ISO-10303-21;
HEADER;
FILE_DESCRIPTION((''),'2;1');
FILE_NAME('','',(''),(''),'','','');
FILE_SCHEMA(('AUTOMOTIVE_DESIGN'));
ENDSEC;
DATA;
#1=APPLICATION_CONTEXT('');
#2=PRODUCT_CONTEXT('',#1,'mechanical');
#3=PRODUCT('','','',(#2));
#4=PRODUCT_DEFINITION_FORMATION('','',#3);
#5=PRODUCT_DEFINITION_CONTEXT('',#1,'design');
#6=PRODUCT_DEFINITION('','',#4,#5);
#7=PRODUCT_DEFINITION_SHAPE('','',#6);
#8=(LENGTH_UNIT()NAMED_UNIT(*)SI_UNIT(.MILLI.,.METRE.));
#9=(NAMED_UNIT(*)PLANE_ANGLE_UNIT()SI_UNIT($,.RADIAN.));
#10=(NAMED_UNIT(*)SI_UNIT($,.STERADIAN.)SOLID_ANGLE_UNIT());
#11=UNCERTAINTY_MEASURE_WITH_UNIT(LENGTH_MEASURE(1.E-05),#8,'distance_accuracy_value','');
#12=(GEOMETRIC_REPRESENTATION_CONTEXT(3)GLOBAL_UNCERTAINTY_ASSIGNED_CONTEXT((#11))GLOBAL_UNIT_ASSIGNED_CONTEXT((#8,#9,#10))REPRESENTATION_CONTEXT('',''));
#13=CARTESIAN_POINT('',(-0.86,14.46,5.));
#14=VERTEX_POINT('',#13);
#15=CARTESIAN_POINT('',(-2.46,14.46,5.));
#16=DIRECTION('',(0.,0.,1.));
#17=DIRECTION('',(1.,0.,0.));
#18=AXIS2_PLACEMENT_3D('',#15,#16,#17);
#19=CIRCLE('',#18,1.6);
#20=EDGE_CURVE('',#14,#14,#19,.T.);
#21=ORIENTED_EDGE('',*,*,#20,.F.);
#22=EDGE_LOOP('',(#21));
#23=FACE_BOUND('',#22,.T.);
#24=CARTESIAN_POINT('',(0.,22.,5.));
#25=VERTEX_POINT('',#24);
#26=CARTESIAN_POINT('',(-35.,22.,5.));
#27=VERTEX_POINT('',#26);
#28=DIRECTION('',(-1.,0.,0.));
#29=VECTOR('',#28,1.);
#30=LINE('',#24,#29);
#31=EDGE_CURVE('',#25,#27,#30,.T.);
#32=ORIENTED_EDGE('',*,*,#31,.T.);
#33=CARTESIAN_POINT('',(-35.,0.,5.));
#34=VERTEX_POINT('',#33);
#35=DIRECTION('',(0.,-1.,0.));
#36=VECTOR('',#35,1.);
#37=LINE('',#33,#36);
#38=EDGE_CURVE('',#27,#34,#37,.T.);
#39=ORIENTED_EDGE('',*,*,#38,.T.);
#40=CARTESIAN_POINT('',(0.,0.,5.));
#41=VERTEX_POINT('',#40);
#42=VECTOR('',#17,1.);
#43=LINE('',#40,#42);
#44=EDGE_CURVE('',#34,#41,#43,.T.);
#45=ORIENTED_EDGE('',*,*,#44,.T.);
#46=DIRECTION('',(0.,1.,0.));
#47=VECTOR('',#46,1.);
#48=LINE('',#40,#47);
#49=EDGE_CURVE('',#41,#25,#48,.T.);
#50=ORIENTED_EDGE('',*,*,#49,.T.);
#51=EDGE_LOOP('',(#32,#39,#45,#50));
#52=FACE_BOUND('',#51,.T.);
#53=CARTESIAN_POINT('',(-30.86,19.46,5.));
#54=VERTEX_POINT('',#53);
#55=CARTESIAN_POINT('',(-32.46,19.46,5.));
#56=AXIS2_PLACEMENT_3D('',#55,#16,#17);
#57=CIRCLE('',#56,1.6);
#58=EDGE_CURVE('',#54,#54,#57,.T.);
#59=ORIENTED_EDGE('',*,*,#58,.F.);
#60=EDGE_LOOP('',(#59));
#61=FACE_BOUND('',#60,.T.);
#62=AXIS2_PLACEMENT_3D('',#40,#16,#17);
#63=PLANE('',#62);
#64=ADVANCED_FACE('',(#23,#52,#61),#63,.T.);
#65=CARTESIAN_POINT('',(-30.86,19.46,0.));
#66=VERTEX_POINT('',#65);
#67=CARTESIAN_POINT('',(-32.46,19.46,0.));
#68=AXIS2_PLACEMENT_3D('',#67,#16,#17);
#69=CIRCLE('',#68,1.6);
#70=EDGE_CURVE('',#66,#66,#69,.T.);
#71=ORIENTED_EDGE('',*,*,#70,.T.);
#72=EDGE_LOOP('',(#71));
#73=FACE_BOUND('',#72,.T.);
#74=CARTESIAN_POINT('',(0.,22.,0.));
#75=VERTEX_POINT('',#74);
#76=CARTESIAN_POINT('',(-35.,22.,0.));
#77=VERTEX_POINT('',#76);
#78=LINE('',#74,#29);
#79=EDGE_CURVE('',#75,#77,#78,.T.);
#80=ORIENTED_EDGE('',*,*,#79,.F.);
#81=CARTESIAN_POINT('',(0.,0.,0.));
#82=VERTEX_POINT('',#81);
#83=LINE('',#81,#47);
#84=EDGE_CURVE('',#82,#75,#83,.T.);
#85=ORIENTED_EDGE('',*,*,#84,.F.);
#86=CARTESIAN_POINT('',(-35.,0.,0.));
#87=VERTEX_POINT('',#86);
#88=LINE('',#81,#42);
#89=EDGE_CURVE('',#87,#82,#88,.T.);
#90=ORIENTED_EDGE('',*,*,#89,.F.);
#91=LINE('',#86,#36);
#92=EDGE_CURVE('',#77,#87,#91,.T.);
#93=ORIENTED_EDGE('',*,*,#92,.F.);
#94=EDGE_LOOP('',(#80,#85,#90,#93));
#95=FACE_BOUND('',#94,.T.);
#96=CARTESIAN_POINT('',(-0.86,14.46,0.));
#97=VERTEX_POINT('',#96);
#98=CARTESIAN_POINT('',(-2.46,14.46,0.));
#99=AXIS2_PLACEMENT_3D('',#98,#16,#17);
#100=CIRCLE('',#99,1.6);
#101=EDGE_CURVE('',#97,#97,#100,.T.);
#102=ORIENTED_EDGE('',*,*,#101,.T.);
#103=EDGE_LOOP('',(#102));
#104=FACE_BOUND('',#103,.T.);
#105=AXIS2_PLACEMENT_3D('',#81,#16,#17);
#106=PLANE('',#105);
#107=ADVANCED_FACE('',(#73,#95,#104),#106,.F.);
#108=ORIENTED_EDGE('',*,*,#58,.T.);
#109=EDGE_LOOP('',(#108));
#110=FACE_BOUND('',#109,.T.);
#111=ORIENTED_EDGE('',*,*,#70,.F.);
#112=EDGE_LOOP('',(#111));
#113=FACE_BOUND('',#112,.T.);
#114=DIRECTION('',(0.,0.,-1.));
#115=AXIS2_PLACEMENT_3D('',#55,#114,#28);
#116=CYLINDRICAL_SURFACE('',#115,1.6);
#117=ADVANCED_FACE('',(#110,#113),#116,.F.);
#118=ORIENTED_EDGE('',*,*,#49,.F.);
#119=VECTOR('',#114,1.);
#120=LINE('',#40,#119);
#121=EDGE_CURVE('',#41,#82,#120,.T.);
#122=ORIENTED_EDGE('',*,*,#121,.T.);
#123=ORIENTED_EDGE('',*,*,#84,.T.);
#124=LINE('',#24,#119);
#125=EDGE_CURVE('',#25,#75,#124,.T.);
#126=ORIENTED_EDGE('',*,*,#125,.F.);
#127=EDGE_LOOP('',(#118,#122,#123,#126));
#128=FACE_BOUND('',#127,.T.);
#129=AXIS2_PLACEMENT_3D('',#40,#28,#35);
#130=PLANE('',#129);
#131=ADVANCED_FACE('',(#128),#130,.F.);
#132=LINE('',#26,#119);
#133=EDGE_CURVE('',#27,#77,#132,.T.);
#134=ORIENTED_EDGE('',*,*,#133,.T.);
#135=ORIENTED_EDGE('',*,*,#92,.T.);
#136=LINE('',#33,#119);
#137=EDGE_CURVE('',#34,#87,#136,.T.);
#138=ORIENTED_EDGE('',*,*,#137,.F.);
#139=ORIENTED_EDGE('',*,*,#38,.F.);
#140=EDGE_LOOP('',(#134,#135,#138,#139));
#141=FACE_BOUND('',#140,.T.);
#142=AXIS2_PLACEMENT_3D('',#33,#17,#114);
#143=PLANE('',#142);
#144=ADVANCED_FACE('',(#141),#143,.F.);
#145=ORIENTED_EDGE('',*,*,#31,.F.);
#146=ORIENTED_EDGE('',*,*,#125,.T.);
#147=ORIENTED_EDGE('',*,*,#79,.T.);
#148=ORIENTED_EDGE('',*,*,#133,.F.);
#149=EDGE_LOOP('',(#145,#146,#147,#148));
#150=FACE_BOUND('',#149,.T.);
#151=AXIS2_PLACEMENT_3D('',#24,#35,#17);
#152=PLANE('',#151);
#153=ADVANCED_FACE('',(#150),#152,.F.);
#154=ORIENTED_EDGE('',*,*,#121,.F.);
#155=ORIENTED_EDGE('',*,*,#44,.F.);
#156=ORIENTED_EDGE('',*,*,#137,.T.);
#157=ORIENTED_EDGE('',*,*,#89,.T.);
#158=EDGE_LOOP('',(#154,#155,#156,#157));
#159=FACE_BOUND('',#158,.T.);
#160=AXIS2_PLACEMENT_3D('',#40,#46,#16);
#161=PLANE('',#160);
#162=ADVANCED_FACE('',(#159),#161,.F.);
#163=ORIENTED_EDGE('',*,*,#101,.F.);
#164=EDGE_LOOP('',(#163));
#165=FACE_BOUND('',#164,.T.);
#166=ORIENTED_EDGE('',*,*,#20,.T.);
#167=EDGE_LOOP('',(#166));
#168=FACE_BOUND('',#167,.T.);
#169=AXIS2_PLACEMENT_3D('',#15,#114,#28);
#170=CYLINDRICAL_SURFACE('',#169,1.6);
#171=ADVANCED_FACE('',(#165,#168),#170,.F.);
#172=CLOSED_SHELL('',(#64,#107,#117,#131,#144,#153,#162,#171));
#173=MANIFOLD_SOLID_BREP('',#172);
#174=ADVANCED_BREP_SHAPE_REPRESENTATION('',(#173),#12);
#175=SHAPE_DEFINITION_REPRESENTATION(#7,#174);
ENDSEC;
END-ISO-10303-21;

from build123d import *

# Parameters (mm, degrees)
SKETCH_1_W      = 35
SKETCH_1_H      = 22
SKETCH_1_R      = 1.6
EXTRUDE_1_DEPTH = 5


with BuildPart() as part:
    # 草图1 → 凸台-拉伸1 (new body)
    with BuildSketch(Plane.XY):
        with Locations((-17.5, 11)):
            Rectangle(SKETCH_1_W, SKETCH_1_H)
        with Locations((-32.46, 19.46)):
            Circle(SKETCH_1_R, mode=Mode.SUBTRACT)
        with Locations((-2.46, 14.46)):
            Circle(SKETCH_1_R, mode=Mode.SUBTRACT)
    extrude(amount=EXTRUDE_1_DEPTH)


solid = part.part
